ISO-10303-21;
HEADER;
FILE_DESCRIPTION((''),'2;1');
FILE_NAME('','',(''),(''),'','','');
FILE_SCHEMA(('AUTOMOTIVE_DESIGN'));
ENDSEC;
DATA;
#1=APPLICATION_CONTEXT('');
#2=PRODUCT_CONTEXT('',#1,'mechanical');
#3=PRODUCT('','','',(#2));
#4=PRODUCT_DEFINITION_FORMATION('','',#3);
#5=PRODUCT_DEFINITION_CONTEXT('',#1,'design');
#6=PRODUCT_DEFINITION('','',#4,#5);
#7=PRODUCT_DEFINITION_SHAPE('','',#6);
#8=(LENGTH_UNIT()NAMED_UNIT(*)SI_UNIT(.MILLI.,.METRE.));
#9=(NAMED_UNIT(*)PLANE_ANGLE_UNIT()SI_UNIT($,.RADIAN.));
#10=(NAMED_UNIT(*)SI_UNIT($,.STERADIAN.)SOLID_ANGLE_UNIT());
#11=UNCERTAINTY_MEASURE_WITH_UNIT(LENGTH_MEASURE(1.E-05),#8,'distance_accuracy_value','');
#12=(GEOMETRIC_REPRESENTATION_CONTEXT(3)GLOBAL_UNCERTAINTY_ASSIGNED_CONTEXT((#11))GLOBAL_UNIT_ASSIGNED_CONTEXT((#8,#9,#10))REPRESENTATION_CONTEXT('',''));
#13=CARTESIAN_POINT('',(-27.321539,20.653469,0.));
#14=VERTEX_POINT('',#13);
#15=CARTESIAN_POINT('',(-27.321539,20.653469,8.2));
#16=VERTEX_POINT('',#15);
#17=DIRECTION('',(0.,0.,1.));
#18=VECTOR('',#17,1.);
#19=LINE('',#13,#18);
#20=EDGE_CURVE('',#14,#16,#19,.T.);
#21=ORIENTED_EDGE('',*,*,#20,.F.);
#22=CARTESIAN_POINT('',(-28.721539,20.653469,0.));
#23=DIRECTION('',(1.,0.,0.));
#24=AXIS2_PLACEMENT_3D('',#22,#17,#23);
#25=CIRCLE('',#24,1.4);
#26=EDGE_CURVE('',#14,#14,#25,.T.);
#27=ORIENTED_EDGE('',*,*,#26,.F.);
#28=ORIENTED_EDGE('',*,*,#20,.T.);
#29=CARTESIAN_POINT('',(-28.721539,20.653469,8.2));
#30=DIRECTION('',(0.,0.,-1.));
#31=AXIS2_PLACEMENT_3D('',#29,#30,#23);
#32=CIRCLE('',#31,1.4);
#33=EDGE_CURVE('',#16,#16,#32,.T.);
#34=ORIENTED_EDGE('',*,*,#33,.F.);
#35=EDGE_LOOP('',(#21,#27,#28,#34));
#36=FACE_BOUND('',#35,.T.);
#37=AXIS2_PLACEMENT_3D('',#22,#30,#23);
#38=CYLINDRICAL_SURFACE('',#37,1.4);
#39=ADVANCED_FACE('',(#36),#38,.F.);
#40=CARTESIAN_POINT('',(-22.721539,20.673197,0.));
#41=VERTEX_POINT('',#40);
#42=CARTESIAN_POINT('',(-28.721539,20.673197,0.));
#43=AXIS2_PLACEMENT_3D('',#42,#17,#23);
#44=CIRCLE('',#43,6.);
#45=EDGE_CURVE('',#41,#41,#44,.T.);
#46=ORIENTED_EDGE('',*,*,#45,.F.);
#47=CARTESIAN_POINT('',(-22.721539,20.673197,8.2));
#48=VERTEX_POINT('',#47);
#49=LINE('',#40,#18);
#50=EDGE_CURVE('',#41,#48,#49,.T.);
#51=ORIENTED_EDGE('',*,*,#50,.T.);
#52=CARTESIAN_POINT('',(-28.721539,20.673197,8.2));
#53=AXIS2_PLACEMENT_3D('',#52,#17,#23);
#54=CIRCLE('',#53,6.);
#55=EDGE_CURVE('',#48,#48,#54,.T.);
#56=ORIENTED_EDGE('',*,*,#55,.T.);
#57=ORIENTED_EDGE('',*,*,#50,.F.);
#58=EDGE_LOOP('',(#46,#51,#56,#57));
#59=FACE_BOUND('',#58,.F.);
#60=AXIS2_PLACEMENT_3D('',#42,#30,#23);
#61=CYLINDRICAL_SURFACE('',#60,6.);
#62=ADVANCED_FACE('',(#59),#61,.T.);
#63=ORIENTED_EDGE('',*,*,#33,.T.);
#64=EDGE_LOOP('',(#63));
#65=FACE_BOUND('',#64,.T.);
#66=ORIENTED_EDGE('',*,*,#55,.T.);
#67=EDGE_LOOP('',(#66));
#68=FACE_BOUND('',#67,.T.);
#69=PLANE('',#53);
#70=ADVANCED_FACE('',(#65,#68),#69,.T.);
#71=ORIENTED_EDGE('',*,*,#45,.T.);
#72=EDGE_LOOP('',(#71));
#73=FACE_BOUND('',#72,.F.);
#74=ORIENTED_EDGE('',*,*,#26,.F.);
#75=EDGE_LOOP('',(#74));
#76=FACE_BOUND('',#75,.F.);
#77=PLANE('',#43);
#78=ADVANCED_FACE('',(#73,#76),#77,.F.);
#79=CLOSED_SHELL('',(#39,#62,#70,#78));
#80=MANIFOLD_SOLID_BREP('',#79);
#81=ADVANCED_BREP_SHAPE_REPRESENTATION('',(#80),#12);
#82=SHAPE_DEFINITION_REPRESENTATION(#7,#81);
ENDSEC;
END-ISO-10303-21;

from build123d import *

# Parameters (mm, degrees)
F0_R     = 6
F2_DEPTH = 8.2
F1_R     = 1.4
F3_DEPTH = 25


with BuildPart() as f2:
    # F0 (on Top) → F2 (new body)
    with BuildSketch(Plane.XY):
        with Locations((-28.721539, 20.673197)):
            Circle(F0_R)
    extrude(amount=F2_DEPTH)

    # F1 (on face) → F3 (cut)
    with BuildSketch(Plane.XY):
        with Locations((-28.721539, 20.653469)):
            Circle(F1_R)
    extrude(amount=F3_DEPTH, mode=Mode.SUBTRACT)


solid = f2.part
